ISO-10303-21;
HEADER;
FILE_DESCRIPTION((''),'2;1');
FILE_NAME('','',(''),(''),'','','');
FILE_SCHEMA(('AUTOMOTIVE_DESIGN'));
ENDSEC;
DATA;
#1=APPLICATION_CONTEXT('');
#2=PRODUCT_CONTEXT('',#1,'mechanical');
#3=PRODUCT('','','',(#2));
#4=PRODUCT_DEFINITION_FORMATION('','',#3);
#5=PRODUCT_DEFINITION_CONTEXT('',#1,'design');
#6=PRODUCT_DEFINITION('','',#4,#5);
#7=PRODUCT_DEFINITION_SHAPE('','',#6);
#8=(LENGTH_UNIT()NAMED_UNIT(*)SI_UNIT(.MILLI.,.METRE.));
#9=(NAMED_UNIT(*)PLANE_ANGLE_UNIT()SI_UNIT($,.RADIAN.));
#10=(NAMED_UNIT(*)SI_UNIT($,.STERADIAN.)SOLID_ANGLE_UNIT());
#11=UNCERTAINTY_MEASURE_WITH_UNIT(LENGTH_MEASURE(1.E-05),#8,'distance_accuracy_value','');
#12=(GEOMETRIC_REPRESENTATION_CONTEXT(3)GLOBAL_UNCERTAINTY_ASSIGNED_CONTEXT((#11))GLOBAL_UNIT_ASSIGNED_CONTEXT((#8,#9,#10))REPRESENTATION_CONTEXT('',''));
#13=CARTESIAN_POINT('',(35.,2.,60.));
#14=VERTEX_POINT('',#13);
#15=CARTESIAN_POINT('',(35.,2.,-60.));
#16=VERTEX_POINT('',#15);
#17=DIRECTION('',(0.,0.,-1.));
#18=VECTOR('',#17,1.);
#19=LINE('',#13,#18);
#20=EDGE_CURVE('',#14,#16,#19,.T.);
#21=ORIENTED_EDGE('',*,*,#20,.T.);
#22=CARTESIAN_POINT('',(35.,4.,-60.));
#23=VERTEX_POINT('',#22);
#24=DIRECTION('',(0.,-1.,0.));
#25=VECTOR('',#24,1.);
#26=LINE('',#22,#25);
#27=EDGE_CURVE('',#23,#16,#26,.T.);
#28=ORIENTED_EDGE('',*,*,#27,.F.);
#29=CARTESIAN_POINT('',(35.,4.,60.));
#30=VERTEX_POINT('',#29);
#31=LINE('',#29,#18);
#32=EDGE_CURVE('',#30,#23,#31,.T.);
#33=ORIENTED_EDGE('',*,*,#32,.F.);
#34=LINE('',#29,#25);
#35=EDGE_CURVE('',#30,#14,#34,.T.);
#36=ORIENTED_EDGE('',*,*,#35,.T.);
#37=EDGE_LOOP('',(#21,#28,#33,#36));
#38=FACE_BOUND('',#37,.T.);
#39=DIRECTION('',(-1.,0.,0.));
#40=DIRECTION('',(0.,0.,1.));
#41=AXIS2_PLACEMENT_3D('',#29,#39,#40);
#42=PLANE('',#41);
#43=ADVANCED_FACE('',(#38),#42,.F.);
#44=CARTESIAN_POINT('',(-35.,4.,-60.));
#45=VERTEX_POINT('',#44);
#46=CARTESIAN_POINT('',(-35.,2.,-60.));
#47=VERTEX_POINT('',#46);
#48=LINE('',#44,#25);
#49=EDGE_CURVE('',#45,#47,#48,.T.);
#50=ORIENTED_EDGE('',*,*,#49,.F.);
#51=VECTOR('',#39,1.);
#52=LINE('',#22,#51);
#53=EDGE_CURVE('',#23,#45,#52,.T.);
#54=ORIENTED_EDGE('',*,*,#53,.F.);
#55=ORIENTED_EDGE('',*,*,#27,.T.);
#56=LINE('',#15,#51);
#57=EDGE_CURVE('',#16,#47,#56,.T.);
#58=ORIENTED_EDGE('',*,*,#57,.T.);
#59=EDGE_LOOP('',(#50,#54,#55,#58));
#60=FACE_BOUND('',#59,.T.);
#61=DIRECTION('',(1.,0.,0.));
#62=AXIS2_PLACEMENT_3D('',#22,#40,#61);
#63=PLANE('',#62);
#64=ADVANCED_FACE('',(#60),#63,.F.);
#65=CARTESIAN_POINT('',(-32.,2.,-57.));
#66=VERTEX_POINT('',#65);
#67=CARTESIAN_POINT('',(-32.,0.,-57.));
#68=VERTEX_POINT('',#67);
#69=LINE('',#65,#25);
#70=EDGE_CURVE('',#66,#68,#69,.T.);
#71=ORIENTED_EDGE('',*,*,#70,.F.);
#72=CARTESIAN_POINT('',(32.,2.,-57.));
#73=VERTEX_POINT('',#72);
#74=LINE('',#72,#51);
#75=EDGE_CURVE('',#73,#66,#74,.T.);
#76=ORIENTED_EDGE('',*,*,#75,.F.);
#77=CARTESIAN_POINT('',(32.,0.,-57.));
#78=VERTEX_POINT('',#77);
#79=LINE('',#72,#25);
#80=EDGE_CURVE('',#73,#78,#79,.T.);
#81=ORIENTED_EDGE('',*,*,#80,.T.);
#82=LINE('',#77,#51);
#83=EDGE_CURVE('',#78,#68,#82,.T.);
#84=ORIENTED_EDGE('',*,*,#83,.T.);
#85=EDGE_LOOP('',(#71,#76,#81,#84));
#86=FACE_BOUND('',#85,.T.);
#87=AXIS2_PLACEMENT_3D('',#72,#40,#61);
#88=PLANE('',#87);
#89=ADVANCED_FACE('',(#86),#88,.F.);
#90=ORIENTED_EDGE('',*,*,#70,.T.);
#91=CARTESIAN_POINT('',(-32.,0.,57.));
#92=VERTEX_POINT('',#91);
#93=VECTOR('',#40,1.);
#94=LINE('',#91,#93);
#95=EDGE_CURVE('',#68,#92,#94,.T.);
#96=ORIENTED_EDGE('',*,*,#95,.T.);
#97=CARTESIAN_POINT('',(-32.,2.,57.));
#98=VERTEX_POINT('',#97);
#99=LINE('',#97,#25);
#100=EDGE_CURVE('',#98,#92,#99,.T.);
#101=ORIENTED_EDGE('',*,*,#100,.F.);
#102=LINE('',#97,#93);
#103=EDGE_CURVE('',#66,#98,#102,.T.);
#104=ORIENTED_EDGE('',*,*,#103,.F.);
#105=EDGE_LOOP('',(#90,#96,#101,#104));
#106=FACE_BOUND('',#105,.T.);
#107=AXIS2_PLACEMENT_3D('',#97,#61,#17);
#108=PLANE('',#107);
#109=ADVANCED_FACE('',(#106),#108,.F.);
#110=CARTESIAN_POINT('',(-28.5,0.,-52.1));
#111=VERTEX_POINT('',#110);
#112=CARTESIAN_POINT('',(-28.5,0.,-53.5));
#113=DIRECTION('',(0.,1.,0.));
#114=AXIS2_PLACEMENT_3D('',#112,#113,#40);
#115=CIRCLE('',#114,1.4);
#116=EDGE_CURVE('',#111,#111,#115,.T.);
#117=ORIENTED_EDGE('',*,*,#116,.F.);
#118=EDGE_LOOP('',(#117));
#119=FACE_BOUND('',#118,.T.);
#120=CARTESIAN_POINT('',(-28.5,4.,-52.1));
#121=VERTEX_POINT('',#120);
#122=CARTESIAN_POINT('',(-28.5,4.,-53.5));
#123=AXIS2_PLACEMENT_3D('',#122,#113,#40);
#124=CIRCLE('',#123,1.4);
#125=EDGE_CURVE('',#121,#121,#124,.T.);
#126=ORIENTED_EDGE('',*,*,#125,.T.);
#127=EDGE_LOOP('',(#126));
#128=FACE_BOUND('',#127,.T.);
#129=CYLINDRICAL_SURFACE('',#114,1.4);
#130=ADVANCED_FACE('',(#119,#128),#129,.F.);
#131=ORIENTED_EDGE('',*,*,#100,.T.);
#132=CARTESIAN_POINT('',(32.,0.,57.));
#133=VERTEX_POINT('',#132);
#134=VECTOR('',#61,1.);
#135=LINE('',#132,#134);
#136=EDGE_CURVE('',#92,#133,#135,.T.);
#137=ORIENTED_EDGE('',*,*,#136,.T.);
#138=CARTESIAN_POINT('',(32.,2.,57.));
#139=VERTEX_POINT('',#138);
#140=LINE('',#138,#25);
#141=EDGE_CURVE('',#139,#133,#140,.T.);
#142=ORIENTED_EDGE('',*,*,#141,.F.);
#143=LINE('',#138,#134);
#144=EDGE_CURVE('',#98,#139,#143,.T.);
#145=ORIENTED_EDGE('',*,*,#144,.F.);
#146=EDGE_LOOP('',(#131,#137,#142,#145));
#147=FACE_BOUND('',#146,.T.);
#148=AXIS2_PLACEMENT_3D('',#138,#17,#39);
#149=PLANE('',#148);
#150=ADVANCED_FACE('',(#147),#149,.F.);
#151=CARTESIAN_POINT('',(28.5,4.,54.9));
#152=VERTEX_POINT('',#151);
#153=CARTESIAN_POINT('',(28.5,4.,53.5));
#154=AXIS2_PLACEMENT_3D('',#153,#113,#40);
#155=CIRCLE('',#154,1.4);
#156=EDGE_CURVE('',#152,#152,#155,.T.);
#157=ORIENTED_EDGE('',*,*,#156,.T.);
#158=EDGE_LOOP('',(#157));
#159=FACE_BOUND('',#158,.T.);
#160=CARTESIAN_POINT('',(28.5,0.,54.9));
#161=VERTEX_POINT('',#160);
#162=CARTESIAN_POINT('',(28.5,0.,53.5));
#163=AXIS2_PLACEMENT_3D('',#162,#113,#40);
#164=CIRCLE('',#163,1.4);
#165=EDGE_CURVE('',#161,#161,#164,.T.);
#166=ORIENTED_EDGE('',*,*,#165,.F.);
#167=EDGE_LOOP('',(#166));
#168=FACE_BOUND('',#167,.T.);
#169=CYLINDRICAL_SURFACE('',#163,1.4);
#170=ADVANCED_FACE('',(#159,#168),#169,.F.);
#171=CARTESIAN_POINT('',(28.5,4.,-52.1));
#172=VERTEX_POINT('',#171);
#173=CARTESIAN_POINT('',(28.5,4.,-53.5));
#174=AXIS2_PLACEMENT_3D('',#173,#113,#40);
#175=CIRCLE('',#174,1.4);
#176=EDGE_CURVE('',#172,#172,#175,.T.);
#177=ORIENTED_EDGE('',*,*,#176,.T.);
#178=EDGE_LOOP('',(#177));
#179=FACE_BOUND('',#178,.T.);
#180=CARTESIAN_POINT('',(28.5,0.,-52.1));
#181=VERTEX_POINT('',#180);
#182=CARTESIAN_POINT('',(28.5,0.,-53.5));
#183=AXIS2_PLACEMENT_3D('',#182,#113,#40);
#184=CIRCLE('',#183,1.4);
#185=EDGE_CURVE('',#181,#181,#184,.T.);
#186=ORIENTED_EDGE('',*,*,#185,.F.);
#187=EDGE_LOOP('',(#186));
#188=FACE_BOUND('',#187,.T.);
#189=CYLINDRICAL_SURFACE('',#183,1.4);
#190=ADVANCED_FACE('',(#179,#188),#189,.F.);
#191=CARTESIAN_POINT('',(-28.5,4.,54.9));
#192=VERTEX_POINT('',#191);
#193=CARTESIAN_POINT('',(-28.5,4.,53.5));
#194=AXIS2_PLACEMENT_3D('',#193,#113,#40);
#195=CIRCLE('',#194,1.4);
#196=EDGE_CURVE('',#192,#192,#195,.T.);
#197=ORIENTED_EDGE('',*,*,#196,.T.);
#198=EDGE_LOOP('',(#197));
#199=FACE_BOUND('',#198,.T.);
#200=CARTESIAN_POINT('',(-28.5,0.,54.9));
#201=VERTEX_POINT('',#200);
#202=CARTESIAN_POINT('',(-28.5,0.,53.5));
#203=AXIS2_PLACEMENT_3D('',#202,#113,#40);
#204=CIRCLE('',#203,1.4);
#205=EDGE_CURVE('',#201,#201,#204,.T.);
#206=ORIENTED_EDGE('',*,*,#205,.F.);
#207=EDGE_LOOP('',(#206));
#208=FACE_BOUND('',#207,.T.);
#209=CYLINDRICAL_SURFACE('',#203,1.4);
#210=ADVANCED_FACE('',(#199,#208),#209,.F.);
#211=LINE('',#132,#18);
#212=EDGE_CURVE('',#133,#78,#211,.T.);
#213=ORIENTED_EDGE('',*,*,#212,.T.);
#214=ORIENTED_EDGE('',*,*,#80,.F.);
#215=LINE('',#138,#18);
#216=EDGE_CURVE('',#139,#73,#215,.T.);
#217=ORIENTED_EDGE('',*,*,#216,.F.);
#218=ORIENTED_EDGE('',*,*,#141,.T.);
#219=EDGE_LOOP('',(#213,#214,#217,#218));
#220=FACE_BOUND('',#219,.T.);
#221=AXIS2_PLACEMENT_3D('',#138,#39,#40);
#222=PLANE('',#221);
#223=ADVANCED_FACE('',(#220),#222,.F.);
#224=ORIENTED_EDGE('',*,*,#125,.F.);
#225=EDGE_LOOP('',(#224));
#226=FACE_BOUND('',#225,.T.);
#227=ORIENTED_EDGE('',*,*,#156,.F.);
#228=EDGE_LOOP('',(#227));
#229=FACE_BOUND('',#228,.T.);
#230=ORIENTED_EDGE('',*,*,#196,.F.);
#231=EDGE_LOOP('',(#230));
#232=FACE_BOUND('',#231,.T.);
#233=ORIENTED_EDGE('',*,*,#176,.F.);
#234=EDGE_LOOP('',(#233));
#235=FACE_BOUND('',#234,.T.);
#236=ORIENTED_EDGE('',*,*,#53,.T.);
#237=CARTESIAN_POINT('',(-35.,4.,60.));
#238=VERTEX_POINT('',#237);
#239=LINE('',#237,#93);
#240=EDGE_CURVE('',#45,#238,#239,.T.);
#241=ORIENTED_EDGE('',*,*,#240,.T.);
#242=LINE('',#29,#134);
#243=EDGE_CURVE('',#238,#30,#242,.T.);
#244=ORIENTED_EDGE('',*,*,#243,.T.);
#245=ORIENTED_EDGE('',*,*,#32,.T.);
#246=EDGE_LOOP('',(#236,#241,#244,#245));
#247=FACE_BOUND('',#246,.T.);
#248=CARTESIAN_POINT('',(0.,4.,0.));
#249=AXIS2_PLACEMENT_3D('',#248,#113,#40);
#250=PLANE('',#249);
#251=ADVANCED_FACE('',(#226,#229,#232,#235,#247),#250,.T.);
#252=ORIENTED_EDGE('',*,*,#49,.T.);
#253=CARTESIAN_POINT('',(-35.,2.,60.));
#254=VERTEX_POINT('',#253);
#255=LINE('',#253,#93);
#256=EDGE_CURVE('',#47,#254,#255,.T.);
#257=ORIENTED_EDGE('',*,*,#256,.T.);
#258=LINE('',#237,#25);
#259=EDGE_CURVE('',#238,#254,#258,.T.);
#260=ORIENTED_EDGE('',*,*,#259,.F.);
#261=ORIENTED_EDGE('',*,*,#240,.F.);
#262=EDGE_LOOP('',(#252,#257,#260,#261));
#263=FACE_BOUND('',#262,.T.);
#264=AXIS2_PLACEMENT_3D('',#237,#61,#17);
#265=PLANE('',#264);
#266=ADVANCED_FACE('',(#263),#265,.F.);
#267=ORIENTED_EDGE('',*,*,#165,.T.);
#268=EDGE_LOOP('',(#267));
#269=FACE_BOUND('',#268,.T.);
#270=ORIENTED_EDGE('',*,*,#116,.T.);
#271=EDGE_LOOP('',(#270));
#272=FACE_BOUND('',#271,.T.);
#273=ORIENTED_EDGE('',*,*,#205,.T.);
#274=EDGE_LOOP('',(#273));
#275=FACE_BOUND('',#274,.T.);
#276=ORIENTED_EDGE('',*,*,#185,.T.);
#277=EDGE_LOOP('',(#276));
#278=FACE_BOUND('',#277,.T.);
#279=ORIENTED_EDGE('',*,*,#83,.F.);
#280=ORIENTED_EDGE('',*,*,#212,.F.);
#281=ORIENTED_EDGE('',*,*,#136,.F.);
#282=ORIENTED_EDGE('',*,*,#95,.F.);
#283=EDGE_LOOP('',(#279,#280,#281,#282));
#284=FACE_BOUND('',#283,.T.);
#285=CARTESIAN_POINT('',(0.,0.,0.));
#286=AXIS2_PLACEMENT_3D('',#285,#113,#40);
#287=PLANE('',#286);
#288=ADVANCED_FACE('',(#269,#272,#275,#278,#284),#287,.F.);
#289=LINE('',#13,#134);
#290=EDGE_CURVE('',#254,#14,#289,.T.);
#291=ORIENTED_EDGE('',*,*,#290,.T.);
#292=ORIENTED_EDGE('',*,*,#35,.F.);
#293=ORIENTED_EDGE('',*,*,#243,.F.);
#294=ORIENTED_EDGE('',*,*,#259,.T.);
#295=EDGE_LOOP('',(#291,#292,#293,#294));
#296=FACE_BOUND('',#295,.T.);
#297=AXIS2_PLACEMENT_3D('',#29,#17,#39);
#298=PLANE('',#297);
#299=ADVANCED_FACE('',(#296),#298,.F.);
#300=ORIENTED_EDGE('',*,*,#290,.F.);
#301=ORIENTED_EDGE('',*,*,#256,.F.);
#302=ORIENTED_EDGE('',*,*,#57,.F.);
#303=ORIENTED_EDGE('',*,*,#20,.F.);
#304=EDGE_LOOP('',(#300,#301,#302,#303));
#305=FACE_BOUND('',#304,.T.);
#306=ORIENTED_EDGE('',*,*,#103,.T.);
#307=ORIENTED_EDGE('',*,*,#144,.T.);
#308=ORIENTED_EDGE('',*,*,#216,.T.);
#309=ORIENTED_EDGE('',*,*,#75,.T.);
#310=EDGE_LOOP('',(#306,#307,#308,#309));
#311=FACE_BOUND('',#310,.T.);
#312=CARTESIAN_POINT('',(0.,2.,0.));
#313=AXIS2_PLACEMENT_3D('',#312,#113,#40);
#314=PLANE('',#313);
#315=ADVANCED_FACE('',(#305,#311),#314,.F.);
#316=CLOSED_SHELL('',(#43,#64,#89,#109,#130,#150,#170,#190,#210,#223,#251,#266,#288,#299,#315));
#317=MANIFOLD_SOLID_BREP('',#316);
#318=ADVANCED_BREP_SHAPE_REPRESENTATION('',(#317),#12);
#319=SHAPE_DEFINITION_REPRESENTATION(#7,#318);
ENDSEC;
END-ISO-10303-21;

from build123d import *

# Parameters (mm, degrees)
SKETCH_1_W          = 64
SKETCH_1_H          = 114
EXTRUDE_1_DEPTH     = 2
SKETCH_2_W          = 70
SKETCH_2_H          = 120
EXTRUDE_4_DEPTH     = 2
SKETCH_4_R          = 1.4
CUT_EXTRUDE_1_DEPTH = 70.577295147


with BuildPart() as part:
    # Эскиз1 → Бобышка-Вытянуть1 (new body)
    with BuildSketch(Plane(origin=(0, 0, 0), x_dir=(1, 0, 0), z_dir=(0, 1, 0))):
        Rectangle(SKETCH_1_W, SKETCH_1_H)
    extrude(amount=EXTRUDE_1_DEPTH)

    # Эскиз2 → Бобышка-Вытянуть4 (add)
    with BuildSketch(Plane(origin=(0, 2, 0), x_dir=(1, 0, 0), z_dir=(0, 1, 0))):
        Rectangle(SKETCH_2_W, SKETCH_2_H)
    extrude(amount=EXTRUDE_4_DEPTH)

    # Эскиз4 → Вырез-Вытянуть1 (cut, through all)
    with BuildSketch(Plane(origin=(0, 4, 0), x_dir=(1, 0, 0), z_dir=(0, 1, 0))):
        with Locations(Location((-28.5, 53.5, 0), (0, 0, 270))):
            Circle(SKETCH_4_R)
        with Locations(Location((28.5, 53.5, 0), (0, 0, 270))):
            Circle(SKETCH_4_R)
        with Locations(Location((-28.5, -53.5, 0), (0, 0, 270))):
            Circle(SKETCH_4_R)
        with Locations(Location((28.5, -53.5, 0), (0, 0, 270))):
            Circle(SKETCH_4_R)
    extrude(amount=-CUT_EXTRUDE_1_DEPTH, mode=Mode.SUBTRACT)


solid = part.part
